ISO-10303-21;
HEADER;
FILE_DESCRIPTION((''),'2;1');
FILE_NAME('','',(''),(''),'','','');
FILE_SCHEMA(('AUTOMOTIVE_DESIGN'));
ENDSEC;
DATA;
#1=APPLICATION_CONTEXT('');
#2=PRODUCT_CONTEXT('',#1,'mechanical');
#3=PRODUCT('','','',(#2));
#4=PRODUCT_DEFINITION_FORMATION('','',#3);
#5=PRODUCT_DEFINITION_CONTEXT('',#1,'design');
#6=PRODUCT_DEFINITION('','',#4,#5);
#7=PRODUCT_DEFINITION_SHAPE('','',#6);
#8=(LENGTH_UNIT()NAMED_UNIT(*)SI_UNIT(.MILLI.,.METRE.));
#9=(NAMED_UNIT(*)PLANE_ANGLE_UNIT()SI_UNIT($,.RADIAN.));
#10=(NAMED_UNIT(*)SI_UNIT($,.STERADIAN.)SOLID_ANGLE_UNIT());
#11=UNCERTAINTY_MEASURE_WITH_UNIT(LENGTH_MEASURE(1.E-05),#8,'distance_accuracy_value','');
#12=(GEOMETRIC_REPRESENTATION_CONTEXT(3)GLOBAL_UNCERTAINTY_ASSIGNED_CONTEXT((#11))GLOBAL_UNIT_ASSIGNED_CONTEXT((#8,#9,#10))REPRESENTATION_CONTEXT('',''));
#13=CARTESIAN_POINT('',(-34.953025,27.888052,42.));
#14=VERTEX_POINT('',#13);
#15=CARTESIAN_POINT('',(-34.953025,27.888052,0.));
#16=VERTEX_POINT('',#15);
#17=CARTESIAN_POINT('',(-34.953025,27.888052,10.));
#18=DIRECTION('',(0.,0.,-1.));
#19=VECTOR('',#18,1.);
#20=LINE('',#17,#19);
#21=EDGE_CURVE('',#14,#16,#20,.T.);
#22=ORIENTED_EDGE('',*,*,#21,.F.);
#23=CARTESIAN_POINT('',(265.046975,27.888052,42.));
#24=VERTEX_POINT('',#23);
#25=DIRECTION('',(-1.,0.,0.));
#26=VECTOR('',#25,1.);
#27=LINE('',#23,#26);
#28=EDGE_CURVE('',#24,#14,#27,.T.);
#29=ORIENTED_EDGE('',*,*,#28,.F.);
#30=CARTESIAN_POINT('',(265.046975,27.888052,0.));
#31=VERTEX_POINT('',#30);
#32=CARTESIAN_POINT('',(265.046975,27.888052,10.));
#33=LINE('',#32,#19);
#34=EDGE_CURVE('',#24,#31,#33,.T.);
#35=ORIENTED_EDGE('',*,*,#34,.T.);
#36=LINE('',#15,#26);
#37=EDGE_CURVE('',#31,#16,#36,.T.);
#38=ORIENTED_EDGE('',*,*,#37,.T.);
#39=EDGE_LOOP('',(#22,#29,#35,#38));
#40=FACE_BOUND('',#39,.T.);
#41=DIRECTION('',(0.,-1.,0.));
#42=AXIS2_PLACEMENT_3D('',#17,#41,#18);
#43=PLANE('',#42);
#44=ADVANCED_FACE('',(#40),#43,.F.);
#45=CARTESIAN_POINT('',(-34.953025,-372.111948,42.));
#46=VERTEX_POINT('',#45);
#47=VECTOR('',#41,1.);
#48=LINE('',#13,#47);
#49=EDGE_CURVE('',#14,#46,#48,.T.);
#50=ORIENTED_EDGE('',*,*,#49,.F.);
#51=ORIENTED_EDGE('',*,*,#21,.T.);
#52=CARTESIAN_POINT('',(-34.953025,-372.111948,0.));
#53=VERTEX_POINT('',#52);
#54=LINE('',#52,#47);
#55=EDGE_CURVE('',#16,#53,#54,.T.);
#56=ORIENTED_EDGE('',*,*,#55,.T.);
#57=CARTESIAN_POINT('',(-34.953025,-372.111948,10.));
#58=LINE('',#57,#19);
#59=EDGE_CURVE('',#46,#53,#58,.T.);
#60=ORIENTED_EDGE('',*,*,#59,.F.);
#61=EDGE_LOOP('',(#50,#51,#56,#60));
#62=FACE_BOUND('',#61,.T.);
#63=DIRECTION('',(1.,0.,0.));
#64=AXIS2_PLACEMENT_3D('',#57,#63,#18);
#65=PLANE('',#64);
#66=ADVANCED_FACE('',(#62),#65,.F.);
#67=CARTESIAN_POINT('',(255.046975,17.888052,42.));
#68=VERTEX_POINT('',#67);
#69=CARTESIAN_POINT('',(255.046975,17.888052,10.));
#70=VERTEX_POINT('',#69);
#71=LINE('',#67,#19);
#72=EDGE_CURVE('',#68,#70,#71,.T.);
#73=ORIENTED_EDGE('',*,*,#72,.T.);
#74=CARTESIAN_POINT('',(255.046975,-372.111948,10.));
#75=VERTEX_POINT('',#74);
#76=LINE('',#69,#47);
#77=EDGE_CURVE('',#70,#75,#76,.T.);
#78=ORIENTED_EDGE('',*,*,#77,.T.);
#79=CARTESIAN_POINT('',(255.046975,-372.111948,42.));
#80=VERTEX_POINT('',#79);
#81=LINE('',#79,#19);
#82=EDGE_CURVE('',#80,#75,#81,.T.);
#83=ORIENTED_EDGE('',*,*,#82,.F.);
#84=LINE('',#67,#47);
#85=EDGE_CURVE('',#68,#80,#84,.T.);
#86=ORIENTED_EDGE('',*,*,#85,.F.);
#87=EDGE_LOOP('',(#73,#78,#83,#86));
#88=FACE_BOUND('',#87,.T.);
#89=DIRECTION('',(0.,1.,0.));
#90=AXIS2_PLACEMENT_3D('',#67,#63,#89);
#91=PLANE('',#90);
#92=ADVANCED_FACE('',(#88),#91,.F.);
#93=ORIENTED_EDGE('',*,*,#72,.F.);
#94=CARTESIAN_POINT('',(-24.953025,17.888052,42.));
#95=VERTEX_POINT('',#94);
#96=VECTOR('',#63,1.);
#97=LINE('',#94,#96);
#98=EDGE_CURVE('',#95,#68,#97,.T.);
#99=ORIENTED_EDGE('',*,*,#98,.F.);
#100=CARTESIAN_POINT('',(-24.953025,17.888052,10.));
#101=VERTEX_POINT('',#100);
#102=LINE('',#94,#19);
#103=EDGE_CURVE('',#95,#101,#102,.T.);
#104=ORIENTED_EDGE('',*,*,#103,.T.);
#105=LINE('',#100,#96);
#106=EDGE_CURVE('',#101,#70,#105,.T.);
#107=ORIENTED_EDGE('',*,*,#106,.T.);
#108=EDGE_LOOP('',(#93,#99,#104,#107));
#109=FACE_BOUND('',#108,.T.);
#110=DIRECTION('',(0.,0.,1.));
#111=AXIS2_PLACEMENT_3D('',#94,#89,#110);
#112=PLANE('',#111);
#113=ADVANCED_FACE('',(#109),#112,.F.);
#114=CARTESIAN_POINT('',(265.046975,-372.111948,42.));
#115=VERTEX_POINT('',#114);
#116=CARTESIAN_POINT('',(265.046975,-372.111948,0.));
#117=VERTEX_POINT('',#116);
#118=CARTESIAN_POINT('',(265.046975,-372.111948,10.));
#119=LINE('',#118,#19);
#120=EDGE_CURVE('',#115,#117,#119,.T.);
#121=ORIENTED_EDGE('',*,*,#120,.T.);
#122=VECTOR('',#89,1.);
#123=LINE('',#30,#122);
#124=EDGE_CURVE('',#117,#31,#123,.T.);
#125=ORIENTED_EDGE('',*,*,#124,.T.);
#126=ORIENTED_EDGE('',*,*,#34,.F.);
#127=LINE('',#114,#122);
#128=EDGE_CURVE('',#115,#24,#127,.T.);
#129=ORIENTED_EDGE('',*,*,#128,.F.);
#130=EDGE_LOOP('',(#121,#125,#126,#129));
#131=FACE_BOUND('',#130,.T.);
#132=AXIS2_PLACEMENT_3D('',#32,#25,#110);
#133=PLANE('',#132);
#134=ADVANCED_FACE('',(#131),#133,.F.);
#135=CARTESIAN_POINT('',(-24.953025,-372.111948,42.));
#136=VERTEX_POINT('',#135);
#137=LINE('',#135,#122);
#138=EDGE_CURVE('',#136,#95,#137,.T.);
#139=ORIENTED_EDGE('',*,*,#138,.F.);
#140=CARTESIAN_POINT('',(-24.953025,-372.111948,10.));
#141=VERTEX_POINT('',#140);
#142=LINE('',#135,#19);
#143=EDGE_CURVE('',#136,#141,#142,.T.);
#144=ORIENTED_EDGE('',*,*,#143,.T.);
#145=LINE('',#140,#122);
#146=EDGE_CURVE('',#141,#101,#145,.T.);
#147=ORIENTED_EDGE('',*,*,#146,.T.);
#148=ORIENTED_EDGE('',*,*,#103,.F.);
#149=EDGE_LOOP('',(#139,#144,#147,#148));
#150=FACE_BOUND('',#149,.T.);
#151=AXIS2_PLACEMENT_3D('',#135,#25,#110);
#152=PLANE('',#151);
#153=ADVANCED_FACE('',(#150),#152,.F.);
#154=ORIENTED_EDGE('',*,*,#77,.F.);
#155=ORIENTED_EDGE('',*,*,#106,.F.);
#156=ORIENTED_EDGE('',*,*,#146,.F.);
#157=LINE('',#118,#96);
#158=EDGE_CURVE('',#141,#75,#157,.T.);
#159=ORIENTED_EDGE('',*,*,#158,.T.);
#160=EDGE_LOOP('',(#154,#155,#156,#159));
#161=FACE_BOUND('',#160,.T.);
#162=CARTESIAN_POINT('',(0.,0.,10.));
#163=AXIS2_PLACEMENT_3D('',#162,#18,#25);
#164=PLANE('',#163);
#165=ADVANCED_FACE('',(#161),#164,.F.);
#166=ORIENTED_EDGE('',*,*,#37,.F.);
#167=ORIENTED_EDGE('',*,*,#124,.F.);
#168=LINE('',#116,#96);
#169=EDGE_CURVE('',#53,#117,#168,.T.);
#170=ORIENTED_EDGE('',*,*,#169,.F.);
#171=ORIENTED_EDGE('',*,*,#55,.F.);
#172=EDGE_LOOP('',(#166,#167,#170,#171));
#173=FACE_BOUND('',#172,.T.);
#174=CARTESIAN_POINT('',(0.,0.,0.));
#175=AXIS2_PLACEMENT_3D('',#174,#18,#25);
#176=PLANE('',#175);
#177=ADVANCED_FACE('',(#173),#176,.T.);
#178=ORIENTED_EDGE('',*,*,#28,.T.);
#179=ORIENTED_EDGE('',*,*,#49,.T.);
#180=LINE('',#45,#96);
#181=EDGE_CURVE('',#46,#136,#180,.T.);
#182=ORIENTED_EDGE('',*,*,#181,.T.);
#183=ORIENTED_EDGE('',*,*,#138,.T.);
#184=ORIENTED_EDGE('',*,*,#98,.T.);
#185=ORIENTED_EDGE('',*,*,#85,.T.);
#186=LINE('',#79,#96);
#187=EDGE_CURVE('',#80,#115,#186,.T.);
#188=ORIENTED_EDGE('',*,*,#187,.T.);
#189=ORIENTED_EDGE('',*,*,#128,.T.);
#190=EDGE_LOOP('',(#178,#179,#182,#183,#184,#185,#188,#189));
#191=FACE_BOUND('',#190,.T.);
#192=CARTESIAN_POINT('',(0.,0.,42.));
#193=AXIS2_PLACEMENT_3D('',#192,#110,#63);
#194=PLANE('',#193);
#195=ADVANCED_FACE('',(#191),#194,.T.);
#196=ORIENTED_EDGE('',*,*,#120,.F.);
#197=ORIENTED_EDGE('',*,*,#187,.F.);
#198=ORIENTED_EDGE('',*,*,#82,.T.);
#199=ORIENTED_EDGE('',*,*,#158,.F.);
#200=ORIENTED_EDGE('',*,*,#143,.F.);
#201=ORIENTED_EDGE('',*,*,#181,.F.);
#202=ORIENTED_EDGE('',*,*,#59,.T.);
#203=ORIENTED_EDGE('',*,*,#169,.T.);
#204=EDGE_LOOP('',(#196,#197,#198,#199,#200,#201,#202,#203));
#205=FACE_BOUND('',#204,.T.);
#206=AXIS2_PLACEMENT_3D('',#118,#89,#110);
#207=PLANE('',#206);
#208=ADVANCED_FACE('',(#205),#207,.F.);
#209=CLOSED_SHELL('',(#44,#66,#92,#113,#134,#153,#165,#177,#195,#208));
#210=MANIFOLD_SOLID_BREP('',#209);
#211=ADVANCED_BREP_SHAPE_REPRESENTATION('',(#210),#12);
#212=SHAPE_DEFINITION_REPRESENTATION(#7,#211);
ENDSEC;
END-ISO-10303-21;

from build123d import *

# Parameters (mm, degrees)
SKETCH_1_W      = 300
SKETCH_1_H      = 400
EXTRUDE_1_DEPTH = 10
EXTRUDE_2_DEPTH = 32


with BuildPart() as part:
    # 草图1 → 凸台-拉伸1 (new body)
    with BuildSketch(Plane.XY):
        with Locations((115.046975242, -172.111948332)):
            Rectangle(SKETCH_1_W, SKETCH_1_H)
    extrude(amount=EXTRUDE_1_DEPTH)

    # 草图2 → 凸台-拉伸2 (add)
    with BuildSketch(Plane.XY.offset(10)):
        Polygon((265.046975242, -372.111948332), (265.046975242, 27.888051668), (-34.953024758, 27.888051668), (-34.953024758, -372.111948332), (-24.953024758, -372.111948332), (-24.953024758, 17.888051668), (255.046975242, 17.888051668), (255.046975242, -372.111948332), align=None)
    extrude(amount=EXTRUDE_2_DEPTH)


solid = part.part
